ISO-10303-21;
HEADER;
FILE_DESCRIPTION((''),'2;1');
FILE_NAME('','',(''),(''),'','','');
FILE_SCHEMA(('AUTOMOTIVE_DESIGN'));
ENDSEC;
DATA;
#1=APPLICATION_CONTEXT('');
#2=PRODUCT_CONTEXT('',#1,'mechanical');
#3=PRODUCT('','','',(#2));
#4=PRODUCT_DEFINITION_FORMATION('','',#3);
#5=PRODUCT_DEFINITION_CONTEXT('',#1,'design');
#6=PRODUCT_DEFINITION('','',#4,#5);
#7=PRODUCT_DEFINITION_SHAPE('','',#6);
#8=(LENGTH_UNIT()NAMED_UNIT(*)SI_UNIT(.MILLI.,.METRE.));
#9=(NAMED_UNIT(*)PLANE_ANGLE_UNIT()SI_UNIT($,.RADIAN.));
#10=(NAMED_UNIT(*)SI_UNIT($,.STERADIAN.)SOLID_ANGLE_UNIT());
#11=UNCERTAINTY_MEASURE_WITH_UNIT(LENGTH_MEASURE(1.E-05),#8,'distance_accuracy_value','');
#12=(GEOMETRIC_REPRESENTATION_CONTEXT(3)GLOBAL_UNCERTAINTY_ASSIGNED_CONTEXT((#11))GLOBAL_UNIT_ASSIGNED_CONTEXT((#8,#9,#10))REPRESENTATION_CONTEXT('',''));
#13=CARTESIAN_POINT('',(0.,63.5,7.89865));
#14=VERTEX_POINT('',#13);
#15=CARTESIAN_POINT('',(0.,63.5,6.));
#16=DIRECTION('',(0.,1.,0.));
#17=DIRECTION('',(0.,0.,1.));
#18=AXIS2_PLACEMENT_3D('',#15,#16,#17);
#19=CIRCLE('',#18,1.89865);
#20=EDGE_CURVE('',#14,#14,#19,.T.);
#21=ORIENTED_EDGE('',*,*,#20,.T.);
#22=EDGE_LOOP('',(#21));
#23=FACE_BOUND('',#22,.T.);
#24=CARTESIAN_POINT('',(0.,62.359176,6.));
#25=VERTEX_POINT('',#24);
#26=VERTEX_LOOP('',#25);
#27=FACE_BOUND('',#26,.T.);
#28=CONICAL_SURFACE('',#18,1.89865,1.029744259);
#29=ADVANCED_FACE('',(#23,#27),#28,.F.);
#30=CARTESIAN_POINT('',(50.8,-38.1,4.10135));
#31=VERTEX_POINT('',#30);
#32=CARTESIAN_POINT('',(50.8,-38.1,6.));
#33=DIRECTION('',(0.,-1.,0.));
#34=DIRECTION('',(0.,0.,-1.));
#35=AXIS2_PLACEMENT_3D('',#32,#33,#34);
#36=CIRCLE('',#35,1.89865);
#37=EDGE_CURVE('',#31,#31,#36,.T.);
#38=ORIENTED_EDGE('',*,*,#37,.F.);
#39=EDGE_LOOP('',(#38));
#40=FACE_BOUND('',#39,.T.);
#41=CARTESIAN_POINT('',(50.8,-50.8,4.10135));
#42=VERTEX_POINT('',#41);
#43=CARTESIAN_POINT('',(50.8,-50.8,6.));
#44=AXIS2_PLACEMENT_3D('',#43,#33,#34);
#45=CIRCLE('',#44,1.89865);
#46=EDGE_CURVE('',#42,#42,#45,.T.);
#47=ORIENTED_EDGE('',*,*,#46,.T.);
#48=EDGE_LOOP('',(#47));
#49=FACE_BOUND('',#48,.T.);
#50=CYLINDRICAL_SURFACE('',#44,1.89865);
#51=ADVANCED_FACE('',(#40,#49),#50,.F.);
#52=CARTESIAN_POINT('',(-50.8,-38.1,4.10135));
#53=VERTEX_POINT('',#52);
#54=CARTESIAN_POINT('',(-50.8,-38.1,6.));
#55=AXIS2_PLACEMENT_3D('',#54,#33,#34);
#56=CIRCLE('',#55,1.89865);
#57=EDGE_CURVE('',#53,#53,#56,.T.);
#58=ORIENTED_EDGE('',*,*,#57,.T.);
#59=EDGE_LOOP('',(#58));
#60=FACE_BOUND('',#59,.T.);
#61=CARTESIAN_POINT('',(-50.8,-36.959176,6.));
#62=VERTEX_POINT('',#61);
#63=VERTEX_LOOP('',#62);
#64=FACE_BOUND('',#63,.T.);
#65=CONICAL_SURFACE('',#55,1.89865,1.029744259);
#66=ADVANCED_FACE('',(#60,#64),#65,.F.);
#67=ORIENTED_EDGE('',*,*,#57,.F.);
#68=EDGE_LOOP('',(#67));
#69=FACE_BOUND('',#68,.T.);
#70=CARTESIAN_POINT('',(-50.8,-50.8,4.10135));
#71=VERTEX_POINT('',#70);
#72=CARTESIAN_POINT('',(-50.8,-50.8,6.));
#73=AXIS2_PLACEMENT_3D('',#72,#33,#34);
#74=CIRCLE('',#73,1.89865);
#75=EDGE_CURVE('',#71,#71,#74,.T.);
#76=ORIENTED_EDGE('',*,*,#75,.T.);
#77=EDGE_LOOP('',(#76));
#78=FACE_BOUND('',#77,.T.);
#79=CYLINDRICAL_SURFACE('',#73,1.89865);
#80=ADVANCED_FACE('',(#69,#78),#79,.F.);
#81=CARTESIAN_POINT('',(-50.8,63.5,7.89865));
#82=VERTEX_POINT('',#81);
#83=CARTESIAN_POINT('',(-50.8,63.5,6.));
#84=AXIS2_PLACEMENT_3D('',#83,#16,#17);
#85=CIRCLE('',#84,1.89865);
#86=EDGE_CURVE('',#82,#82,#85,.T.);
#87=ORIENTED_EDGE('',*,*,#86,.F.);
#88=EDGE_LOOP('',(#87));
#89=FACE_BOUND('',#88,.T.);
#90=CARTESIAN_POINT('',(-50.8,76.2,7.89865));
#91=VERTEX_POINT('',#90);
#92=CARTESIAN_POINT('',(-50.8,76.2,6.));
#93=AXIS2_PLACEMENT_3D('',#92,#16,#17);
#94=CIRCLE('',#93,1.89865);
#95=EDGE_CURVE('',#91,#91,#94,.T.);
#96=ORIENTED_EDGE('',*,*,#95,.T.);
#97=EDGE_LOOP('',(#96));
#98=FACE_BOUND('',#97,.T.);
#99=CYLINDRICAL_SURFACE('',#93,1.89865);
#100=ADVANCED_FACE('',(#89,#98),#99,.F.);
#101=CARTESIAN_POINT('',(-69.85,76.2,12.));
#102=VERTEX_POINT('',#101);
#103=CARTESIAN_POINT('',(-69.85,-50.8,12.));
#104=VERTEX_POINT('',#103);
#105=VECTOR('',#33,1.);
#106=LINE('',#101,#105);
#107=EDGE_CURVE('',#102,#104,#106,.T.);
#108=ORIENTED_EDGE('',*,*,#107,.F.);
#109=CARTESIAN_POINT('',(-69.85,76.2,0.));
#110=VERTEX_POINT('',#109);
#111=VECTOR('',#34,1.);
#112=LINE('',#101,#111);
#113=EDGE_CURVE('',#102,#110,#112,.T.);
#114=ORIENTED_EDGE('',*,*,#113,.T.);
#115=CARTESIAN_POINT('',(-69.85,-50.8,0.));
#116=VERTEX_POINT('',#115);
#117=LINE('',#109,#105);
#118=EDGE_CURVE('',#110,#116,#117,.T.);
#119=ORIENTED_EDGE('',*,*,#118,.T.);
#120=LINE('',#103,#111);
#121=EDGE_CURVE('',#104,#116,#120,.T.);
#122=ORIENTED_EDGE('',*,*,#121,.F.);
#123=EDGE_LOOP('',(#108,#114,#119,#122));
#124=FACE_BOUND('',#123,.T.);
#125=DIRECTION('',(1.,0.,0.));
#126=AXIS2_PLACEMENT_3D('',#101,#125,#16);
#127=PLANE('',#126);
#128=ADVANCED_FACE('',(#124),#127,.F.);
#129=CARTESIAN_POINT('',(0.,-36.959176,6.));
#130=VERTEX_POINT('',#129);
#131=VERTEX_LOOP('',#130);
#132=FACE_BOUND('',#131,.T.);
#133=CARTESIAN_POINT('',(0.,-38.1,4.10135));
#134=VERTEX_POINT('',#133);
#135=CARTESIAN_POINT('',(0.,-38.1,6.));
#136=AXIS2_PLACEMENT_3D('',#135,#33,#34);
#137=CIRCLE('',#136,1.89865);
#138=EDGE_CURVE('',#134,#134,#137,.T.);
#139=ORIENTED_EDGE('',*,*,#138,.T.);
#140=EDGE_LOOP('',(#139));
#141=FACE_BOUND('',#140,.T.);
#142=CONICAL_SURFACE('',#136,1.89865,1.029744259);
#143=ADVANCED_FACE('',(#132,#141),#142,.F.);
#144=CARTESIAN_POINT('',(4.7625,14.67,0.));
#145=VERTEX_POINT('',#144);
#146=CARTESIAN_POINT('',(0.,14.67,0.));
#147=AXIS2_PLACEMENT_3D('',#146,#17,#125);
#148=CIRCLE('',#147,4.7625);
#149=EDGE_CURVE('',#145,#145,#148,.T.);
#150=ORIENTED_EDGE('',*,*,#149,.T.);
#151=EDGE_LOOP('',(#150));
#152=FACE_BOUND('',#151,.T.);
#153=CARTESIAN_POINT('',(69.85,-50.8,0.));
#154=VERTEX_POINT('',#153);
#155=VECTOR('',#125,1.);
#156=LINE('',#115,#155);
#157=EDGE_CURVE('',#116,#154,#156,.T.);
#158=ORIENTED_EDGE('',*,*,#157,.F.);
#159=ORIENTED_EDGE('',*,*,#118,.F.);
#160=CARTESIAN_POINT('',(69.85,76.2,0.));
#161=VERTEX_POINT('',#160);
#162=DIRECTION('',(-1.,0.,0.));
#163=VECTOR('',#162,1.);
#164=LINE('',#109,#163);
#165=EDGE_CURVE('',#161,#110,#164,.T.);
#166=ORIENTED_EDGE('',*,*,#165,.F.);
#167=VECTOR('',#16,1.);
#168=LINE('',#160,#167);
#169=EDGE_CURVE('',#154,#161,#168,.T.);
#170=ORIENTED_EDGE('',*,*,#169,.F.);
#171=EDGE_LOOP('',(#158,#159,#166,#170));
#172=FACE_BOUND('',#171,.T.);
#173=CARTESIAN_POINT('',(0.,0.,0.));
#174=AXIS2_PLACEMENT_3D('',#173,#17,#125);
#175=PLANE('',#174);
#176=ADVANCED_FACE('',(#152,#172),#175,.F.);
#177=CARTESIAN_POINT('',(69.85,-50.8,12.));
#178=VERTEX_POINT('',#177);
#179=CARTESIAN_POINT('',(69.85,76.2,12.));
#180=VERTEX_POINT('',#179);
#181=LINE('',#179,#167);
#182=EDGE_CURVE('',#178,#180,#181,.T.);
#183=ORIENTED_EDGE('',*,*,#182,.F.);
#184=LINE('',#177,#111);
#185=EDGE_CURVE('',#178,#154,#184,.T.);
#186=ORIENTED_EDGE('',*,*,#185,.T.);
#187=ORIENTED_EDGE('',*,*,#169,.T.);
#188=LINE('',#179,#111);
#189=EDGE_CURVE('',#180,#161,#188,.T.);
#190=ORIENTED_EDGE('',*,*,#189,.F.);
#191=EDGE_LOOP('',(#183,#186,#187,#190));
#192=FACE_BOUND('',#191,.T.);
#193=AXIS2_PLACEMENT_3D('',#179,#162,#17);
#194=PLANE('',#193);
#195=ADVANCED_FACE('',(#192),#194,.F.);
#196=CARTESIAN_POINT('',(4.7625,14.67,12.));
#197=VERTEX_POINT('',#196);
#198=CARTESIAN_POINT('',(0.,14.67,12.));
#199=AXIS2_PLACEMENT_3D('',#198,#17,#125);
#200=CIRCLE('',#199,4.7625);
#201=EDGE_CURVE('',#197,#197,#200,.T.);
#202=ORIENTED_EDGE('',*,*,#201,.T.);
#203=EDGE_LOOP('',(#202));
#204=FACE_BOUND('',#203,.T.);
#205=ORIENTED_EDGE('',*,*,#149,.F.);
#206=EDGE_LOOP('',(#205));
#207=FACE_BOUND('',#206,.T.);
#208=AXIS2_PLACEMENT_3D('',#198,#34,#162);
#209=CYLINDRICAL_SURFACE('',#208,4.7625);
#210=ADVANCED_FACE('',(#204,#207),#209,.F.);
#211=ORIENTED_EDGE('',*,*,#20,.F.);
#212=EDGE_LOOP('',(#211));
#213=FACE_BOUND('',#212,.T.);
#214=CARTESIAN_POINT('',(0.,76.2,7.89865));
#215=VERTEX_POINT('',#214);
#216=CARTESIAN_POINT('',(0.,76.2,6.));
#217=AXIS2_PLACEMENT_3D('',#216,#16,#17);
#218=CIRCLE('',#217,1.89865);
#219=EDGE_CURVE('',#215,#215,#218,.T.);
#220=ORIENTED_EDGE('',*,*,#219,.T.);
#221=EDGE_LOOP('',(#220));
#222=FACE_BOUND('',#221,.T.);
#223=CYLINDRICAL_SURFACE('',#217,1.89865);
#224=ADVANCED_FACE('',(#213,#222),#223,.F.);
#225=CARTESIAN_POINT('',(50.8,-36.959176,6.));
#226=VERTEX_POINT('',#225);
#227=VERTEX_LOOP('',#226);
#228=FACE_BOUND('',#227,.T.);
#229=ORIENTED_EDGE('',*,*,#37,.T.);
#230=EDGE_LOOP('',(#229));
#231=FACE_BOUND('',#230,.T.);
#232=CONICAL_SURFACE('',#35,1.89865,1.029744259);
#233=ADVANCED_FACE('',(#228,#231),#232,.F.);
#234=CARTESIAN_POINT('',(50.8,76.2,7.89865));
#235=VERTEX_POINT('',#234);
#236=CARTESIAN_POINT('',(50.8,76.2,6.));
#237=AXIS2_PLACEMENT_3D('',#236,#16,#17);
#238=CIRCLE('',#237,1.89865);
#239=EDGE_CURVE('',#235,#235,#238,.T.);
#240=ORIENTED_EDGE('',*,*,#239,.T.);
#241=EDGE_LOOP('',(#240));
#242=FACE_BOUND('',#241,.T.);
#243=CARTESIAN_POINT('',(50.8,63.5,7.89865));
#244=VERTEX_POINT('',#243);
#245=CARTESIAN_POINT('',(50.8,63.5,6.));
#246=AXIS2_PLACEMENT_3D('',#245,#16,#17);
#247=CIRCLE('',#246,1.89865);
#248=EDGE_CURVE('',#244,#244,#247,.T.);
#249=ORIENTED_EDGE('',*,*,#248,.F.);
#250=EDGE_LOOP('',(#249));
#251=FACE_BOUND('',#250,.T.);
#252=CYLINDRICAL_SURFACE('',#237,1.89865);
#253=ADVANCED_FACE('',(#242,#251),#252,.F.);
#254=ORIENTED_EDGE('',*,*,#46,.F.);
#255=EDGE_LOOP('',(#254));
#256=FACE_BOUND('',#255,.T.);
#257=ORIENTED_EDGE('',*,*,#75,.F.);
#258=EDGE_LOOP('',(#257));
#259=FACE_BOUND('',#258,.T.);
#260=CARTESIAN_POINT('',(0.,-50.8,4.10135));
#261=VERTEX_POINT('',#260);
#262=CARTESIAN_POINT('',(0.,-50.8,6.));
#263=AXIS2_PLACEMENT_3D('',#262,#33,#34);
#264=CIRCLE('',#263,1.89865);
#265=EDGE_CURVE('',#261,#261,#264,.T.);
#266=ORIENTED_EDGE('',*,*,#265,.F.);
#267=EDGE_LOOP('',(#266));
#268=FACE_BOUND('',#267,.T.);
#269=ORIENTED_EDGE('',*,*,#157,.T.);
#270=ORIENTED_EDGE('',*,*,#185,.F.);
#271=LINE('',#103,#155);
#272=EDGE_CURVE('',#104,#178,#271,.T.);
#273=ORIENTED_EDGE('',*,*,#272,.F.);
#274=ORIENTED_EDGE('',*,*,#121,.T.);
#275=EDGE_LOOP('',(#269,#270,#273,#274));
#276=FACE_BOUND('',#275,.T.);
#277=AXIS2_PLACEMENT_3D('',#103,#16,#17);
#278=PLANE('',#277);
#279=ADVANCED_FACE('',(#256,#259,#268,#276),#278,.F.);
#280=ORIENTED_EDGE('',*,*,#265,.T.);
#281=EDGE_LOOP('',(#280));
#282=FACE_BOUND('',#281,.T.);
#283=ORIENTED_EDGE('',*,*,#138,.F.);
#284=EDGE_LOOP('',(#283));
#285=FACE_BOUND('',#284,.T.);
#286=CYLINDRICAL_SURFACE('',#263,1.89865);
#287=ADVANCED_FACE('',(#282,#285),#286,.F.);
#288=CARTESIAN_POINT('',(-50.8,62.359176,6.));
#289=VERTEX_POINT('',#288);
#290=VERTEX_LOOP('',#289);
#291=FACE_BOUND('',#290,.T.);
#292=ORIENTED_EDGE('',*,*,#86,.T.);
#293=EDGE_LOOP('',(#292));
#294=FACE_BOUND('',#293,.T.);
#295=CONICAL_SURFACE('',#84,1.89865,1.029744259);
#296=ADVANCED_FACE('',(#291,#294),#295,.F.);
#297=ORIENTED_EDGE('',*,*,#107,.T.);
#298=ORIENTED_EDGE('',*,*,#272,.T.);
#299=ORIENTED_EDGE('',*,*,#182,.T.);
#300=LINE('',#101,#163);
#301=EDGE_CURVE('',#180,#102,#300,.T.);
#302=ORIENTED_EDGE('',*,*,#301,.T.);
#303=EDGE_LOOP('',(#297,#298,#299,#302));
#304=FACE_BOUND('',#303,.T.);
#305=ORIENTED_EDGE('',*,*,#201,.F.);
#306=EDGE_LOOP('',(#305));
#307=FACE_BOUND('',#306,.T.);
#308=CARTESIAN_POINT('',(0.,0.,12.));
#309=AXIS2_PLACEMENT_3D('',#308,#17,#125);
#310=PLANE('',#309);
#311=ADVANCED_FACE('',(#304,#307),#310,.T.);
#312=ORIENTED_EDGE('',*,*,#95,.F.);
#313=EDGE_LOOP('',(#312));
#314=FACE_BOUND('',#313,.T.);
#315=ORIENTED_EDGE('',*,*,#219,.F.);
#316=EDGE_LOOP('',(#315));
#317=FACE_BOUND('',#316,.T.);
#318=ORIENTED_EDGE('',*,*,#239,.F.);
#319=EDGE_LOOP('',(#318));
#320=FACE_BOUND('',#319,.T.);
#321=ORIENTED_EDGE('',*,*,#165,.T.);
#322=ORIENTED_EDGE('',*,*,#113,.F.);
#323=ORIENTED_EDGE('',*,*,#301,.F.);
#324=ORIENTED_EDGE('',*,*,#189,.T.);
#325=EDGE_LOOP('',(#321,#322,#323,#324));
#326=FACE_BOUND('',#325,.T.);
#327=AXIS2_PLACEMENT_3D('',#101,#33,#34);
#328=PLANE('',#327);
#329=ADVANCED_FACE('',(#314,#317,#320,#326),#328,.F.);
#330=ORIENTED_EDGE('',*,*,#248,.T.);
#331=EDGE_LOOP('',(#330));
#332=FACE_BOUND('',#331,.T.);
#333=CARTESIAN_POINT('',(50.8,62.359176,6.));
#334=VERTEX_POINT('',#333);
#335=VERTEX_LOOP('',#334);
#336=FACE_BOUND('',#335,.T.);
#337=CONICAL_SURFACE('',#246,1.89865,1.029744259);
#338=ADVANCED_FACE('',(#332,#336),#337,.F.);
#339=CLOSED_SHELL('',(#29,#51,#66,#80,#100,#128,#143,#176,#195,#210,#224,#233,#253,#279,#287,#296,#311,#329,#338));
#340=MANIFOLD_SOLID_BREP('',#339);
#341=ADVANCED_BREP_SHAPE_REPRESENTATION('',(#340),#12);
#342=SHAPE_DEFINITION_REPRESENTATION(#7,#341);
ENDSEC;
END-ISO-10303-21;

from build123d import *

# Parameters (mm, degrees)
SKETCH1_W                           = 139.7
SKETCH1_H                           = 127
SKETCH1_R                           = 4.7625
BOSS_EXTRUDE1_DEPTH                 = 12
TAP_DRILL_FOR_10_24_TAP1_AT_2_COUNT = 2
TAP_DRILL_FOR_10_24_TAP1_AT_2_PITCH = 50.8
TAP_DRILL_FOR_10_24_TAP1_AT_3_COUNT = 2
TAP_DRILL_FOR_10_24_TAP1_AT_3_PITCH = 101.6


with BuildPart() as part:
    # Sketch1 → Boss-Extrude1 (new body)
    with BuildSketch(Plane.XY):
        with Locations((0, 12.7)):
            Rectangle(SKETCH1_W, SKETCH1_H)
        with Locations((0, 14.67)):
            Circle(SKETCH1_R, mode=Mode.SUBTRACT)
    extrude(amount=BOSS_EXTRUDE1_DEPTH)

    # Sketch4 → Tap Drill for #10-24 Tap1 (revolve, cut)
    with BuildSketch(Plane(origin=(50.8, -50.8, 6), x_dir=(0, 0, -1), z_dir=(1, 0, 0))):
        Polygon((0, 0), (0, 13.840824014), (1.89865, 12.7), (1.89865, 0), align=None)
    tap_drill_for_10_24_tap1 = revolve(axis=Axis((50.8, -57.15, 6), (0, 1, 0)), mode=Mode.SUBTRACT)

    # Tap Drill for #10-24 Tap1 at 2: Tap Drill for #10-24 Tap1 ×2
    with Locations(*[(-i * TAP_DRILL_FOR_10_24_TAP1_AT_2_PITCH, 0, 0) for i in range(1, TAP_DRILL_FOR_10_24_TAP1_AT_2_COUNT)]):
        add(tap_drill_for_10_24_tap1, mode=Mode.SUBTRACT)

    # Tap Drill for #10-24 Tap1 at 3: Tap Drill for #10-24 Tap1 ×2
    with Locations(*[(-i * TAP_DRILL_FOR_10_24_TAP1_AT_3_PITCH, 0, 0) for i in range(1, TAP_DRILL_FOR_10_24_TAP1_AT_3_COUNT)]):
        add(tap_drill_for_10_24_tap1, mode=Mode.SUBTRACT)

    # Mirror1: Tap Drill for #10-24 Tap1 across plane
    add(tap_drill_for_10_24_tap1.mirror(Plane(origin=(0, 12.7, 0), x_dir=(0, 0, 1), z_dir=(0, -1, 0))), mode=Mode.SUBTRACT)

    # Mirror1 copy 1 sketch → Mirror1 copy 1 (revolve, cut)
    with BuildSketch(Plane(origin=(0, 76.2, 6), x_dir=(0, 0, -1), z_dir=(1, 0, 0))):
        Polygon((0, 0), (0, -13.840824014), (1.89865, -12.7), (1.89865, 0), align=None)
    revolve(axis=Axis((0, 82.55, 6), (0, 1, 0)), mode=Mode.SUBTRACT)

    # Mirror1 copy 2 sketch → Mirror1 copy 2 (revolve, cut)
    with BuildSketch(Plane(origin=(-50.8, 76.2, 6), x_dir=(0, 0, -1), z_dir=(1, 0, 0))):
        Polygon((0, 0), (0, -13.840824014), (1.89865, -12.7), (1.89865, 0), align=None)
    revolve(axis=Axis((-50.8, 82.55, 6), (0, 1, 0)), mode=Mode.SUBTRACT)


solid = part.part
